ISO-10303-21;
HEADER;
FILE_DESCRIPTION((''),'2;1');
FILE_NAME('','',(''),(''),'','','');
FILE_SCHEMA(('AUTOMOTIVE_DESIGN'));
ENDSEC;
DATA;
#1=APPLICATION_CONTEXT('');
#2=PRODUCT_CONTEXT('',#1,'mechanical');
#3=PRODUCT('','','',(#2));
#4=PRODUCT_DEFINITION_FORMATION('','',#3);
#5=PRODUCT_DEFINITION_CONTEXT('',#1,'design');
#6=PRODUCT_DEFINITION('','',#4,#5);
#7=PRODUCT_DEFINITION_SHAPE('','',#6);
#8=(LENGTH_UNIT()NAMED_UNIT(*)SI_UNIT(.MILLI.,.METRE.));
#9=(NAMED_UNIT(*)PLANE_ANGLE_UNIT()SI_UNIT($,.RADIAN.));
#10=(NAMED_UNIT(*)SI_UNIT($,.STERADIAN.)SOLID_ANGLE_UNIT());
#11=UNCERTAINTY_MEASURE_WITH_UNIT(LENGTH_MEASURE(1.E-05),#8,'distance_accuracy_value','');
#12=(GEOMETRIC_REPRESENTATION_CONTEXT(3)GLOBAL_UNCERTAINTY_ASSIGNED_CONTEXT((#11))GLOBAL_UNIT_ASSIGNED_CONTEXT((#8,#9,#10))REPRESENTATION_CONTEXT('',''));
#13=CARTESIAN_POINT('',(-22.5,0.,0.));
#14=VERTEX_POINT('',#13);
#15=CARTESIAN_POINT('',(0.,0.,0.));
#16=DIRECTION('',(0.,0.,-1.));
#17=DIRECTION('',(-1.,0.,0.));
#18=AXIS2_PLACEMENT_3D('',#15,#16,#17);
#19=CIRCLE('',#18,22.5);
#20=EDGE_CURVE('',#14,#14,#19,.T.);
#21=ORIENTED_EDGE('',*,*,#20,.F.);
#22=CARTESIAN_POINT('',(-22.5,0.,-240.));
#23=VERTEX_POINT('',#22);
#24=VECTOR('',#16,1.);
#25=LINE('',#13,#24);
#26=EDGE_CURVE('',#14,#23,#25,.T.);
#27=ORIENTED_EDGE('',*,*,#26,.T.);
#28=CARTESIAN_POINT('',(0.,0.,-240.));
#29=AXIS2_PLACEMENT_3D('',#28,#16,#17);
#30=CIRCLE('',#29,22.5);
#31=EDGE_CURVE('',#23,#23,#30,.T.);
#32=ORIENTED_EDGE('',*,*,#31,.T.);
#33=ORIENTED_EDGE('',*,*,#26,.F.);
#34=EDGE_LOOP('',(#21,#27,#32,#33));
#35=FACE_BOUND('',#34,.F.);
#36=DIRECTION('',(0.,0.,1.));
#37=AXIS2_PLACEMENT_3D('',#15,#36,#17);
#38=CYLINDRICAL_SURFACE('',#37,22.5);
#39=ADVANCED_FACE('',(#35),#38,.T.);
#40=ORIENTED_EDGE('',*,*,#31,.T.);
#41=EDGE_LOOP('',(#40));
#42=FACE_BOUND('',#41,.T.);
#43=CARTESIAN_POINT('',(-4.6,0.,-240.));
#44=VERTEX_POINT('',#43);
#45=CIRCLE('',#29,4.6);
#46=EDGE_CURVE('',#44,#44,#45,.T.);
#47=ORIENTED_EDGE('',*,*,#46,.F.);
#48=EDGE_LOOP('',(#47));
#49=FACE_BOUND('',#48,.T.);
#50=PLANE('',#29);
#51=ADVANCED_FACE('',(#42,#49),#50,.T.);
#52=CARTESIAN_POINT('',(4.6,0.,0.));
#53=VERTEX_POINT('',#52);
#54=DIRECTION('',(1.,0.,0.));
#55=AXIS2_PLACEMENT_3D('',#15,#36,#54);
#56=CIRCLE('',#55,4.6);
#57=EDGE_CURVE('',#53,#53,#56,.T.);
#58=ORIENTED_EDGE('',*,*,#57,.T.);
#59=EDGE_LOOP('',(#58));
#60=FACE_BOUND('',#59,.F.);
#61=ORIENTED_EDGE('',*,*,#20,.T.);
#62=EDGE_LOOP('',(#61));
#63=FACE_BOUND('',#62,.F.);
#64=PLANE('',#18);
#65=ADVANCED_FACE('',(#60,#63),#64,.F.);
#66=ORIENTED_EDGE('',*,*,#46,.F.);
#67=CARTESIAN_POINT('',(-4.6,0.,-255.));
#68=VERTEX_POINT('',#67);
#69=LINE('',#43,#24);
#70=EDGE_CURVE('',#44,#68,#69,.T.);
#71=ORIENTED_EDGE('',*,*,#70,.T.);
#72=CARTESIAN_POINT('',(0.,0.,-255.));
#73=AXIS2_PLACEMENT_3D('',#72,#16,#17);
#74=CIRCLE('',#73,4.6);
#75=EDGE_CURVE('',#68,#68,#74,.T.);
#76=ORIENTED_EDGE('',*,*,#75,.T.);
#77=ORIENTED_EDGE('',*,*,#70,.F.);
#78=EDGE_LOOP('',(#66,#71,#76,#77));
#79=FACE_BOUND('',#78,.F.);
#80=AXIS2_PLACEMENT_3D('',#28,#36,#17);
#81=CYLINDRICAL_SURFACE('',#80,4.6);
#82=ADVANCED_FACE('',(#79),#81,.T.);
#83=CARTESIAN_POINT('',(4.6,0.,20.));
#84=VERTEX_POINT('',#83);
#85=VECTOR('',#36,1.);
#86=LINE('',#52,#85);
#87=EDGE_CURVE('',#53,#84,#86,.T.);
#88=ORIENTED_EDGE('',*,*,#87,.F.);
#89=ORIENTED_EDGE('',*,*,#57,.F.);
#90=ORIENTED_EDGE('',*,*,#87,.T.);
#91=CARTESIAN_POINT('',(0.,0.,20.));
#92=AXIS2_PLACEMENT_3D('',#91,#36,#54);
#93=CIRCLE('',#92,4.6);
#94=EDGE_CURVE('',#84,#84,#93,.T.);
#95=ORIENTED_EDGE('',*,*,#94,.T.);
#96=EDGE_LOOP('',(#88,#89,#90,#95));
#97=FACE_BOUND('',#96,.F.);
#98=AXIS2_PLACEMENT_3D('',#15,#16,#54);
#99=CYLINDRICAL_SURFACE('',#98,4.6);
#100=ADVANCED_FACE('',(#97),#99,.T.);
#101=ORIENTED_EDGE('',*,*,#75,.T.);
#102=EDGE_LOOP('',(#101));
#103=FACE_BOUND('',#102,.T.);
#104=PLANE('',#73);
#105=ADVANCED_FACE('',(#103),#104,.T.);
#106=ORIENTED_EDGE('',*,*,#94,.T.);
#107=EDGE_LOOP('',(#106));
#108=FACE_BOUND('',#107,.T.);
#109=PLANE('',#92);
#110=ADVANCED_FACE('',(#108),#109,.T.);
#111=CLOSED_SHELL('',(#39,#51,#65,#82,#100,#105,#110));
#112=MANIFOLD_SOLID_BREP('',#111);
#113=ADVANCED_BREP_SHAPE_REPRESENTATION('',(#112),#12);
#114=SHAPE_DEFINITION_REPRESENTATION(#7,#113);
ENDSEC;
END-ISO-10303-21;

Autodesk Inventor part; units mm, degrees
ref_plane "YZ Plane" through (0, 0, 0) normal (1, 0, 0) x (0, 1, 0)
ref_plane "XZ Plane" through (0, 0, 0) normal (0, 1, 0) x (-1, 0, 0)
ref_plane "XY Plane" through (0, 0, 0) normal (0, 0, 1) x (1, 0, 0)
sketch "草图1" plane through (0, 0, 0) normal (0, 0, 1) x (1, 0, 0)
  circle A0 centre (0, 0) radius 4.6
  dimension "d0" = 9.2
extrude "拉伸1" add sketch "草图1" along normal blind 20
sketch "草图2" plane through (0, 0, 0) normal (0, 0, -1) x (-1, 0, 0)
  circle A0 centre (0, 0) radius 4.6 projected
  circle A1 centre (0, 0) radius 22.5
  dimension "d3" = 45
extrude "拉伸2" add sketch "草图2" along normal blind 240 contours A0 | A1
sketch "草图3" plane through (0, 0, -240) normal (0, 0, -1) x (-1, 0, 0)
  circle A0 centre (0, 0) radius 4.6 projected
  circle A1 centre (0, 0) radius 4.6
extrude "拉伸3" add sketch "草图3" along normal blind 15
properties part number "滚轴2"
